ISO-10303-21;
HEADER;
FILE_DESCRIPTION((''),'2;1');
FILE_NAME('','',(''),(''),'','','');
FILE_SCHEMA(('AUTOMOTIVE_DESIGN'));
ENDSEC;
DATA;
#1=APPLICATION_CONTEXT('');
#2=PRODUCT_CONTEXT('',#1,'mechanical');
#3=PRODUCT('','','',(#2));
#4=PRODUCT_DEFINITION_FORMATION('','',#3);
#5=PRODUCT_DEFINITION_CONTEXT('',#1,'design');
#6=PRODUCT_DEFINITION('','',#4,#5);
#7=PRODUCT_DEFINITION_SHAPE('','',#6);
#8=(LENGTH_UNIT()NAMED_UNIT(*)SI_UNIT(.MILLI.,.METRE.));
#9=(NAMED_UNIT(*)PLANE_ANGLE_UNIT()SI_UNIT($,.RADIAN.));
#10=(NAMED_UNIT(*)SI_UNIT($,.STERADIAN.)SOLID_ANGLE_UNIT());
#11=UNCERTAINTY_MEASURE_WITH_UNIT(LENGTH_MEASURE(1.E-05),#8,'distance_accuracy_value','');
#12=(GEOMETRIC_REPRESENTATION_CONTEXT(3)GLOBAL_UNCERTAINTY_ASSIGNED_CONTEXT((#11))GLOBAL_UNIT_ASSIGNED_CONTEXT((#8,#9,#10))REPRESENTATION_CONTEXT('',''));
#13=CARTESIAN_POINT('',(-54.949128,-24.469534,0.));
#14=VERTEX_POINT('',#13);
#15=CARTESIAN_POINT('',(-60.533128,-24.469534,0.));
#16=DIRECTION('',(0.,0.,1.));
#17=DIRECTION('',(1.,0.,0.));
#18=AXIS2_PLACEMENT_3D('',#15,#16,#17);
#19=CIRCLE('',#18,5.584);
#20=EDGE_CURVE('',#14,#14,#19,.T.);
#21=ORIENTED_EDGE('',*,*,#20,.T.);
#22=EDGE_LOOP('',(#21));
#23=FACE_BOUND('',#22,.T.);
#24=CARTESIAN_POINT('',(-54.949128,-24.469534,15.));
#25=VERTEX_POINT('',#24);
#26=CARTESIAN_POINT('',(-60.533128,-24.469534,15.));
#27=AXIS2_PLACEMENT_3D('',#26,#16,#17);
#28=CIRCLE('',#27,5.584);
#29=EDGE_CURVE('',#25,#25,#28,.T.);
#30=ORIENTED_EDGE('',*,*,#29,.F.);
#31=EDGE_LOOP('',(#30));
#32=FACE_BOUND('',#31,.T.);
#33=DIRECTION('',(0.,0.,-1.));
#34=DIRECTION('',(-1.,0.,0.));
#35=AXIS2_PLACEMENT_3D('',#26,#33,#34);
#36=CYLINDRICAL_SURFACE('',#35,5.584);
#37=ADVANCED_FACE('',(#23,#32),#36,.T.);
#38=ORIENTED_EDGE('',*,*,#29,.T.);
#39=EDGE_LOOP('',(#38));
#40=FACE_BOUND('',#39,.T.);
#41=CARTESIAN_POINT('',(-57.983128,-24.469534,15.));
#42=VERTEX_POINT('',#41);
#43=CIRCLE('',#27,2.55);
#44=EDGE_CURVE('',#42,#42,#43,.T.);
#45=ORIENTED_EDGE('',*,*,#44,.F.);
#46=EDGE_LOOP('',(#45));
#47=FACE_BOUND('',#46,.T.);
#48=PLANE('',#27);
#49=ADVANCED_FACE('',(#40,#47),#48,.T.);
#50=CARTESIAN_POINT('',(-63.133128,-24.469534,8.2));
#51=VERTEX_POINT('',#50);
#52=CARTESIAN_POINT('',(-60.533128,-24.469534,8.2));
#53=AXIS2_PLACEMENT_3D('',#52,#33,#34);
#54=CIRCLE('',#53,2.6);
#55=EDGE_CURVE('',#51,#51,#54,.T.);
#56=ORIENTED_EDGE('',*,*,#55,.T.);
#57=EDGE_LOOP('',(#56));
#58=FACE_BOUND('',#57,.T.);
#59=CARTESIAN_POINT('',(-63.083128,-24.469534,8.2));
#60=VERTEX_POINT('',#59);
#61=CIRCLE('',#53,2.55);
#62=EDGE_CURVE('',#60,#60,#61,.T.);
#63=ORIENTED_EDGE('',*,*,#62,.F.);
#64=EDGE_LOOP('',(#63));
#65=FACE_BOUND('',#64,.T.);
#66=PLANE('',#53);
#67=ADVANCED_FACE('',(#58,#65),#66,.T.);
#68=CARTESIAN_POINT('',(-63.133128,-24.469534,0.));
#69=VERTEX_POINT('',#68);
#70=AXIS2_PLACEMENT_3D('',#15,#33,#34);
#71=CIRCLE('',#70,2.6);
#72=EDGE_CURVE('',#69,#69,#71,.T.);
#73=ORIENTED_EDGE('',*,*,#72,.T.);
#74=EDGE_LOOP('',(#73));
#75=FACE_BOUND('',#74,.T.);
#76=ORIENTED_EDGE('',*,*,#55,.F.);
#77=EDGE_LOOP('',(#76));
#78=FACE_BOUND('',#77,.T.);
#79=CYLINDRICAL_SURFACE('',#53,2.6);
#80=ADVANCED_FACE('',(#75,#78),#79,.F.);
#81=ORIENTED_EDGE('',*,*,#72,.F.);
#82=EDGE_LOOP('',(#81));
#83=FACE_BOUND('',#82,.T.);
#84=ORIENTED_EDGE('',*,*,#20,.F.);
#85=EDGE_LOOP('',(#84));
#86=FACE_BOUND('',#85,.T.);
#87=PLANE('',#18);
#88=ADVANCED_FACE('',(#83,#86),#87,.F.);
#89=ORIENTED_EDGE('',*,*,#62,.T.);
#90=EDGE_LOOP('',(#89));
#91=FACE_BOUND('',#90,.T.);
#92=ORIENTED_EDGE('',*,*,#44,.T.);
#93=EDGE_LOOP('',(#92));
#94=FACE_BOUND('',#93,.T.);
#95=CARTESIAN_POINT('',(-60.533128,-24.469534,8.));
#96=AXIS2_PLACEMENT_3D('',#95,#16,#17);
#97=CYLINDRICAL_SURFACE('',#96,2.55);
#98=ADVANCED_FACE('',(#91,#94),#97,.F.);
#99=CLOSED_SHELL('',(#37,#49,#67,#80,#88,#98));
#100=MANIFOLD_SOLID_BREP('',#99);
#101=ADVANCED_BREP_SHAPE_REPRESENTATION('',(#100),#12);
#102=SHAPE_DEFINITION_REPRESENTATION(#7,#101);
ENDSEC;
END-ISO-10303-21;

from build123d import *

# Parameters (mm, degrees)
SKETCH1_R           = 5.584000144
BOSS_EXTRUDE1_DEPTH = 15
SKETCH2_R           = 2.6
CUT_EXTRUDE1_DEPTH  = 8.2
SKETCH3_R           = 2.55
CUT_EXTRUDE2_DEPTH  = 7


with BuildPart() as part:
    # Sketch1 → Boss-Extrude1 (new body)
    with BuildSketch(Plane.XY):
        with Locations((-60.533127818, -24.469533588)):
            Circle(SKETCH1_R)
    extrude(amount=BOSS_EXTRUDE1_DEPTH)

    # Sketch2 → Cut-Extrude1 (cut)
    with BuildSketch(Plane(origin=(0, 0, 0), x_dir=(-1, 0, 0), z_dir=(0, 0, -1))):
        with Locations((60.533127818, -24.469533588)):
            Circle(SKETCH2_R)
    extrude(amount=-CUT_EXTRUDE1_DEPTH, mode=Mode.SUBTRACT)

    # Sketch3 → Cut-Extrude2 (cut)
    with BuildSketch(Plane.XY.offset(15)):
        with Locations((-60.533127818, -24.469533588)):
            Circle(SKETCH3_R)
    extrude(amount=-CUT_EXTRUDE2_DEPTH, mode=Mode.SUBTRACT)


solid = part.part
